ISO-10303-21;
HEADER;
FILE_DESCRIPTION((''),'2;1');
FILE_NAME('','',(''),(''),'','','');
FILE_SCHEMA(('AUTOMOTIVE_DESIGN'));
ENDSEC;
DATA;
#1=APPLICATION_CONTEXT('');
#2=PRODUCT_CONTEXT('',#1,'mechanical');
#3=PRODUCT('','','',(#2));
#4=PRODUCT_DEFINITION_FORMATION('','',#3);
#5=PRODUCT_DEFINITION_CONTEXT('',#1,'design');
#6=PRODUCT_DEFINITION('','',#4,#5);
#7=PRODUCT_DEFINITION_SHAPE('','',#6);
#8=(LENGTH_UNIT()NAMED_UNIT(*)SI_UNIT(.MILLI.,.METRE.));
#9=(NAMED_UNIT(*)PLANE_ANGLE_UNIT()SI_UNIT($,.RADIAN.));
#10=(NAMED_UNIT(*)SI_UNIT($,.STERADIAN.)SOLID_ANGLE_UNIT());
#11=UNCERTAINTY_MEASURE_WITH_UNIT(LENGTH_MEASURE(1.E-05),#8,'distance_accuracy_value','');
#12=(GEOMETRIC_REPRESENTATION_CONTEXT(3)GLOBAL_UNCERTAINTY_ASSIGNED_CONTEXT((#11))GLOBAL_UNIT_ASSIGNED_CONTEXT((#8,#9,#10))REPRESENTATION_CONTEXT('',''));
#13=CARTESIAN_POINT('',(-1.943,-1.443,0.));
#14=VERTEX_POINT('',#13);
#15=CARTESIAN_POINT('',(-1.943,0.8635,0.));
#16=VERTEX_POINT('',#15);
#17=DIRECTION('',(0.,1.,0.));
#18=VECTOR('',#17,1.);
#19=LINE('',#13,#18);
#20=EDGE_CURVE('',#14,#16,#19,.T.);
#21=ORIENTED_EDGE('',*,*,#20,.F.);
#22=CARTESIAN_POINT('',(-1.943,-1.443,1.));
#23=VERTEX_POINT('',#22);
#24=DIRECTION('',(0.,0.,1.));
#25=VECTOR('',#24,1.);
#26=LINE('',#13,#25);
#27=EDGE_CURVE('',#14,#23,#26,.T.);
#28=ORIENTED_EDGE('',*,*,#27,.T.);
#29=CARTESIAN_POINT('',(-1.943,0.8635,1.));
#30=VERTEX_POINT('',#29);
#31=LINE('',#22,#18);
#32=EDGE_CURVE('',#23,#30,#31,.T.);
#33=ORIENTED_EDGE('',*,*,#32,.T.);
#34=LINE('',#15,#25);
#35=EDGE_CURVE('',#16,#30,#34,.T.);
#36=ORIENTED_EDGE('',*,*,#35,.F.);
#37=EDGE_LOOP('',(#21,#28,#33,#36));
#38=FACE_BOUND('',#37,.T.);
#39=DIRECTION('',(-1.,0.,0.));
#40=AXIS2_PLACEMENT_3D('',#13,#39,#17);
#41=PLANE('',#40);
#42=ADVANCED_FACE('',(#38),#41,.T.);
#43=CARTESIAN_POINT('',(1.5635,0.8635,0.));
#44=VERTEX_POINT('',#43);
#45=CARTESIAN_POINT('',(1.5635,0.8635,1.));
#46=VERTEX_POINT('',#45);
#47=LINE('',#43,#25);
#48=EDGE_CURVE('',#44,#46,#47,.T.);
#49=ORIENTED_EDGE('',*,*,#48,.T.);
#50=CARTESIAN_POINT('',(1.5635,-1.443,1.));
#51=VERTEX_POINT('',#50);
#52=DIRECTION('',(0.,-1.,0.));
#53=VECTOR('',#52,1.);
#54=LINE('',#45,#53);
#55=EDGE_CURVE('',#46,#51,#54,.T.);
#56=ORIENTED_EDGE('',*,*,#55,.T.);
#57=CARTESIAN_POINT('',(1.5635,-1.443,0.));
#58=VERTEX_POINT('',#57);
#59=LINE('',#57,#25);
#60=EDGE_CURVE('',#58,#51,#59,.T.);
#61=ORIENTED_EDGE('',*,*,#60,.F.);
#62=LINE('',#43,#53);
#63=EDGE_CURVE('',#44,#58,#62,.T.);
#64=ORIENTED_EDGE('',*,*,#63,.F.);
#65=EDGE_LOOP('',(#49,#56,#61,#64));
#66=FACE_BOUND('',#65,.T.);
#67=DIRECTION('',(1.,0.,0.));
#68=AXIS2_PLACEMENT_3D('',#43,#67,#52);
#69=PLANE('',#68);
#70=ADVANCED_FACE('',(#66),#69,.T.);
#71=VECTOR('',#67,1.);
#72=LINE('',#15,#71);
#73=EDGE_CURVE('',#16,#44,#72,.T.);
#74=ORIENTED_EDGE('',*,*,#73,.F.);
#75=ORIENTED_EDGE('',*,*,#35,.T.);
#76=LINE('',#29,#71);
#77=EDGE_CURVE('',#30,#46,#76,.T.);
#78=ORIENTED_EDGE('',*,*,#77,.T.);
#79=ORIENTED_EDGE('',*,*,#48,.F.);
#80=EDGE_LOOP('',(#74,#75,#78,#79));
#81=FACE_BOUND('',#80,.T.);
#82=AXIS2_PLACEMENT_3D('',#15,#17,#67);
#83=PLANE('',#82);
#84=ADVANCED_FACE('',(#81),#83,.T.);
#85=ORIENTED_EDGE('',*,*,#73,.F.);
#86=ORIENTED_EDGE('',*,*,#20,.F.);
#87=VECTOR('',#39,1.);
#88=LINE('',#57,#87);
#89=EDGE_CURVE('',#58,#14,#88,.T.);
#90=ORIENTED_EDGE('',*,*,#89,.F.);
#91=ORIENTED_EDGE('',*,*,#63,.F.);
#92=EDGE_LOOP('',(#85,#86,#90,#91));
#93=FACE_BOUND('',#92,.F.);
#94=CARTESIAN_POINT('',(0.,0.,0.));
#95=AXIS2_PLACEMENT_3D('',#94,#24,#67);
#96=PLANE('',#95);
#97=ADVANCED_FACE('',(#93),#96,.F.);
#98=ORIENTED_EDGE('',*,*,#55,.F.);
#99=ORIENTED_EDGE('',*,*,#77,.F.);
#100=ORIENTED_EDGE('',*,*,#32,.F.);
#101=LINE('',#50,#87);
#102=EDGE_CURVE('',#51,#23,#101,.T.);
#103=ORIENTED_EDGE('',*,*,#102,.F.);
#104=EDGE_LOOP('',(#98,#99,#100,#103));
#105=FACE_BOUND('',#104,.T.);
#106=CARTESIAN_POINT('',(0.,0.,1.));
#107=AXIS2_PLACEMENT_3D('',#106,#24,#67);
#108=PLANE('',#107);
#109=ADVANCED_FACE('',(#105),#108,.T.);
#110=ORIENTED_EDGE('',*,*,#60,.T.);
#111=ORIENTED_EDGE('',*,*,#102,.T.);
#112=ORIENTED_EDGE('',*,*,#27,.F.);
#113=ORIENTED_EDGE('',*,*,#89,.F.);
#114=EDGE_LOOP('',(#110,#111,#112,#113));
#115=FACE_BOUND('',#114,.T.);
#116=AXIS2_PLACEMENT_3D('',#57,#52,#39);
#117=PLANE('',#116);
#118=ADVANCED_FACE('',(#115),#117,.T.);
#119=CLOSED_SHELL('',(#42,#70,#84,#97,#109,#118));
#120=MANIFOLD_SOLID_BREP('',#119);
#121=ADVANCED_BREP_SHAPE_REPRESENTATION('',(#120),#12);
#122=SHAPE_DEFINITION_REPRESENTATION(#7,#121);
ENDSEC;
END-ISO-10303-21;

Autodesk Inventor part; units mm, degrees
ref_plane "YZ Plane" through (0, 0, 0) normal (1, 0, 0) x (0, 1, 0)
ref_plane "XZ Plane" through (0, 0, 0) normal (0, 1, 0) x (-1, 0, 0)
ref_plane "XY Plane" through (0, 0, 0) normal (0, 0, 1) x (1, 0, 0)
sketch "SOT26, DMC2700UDM_73" plane through (0, 0, 0) normal (0, 0, 1) x (1, 0, 0)
  line L0 (-1.943, 0.8635) -> (1.5635, 0.8635)
  line L1 (1.5635, 0.8635) -> (1.5635, -1.443)
  line L2 (1.5635, -1.443) -> (-1.943, -1.443)
  line L3 (-1.943, -1.443) -> (-1.943, 0.8635)
extrude "Extrusion1" add sketch "SOT26, DMC2700UDM_73" along normal blind 1
properties part number "DMC2700UDM"
